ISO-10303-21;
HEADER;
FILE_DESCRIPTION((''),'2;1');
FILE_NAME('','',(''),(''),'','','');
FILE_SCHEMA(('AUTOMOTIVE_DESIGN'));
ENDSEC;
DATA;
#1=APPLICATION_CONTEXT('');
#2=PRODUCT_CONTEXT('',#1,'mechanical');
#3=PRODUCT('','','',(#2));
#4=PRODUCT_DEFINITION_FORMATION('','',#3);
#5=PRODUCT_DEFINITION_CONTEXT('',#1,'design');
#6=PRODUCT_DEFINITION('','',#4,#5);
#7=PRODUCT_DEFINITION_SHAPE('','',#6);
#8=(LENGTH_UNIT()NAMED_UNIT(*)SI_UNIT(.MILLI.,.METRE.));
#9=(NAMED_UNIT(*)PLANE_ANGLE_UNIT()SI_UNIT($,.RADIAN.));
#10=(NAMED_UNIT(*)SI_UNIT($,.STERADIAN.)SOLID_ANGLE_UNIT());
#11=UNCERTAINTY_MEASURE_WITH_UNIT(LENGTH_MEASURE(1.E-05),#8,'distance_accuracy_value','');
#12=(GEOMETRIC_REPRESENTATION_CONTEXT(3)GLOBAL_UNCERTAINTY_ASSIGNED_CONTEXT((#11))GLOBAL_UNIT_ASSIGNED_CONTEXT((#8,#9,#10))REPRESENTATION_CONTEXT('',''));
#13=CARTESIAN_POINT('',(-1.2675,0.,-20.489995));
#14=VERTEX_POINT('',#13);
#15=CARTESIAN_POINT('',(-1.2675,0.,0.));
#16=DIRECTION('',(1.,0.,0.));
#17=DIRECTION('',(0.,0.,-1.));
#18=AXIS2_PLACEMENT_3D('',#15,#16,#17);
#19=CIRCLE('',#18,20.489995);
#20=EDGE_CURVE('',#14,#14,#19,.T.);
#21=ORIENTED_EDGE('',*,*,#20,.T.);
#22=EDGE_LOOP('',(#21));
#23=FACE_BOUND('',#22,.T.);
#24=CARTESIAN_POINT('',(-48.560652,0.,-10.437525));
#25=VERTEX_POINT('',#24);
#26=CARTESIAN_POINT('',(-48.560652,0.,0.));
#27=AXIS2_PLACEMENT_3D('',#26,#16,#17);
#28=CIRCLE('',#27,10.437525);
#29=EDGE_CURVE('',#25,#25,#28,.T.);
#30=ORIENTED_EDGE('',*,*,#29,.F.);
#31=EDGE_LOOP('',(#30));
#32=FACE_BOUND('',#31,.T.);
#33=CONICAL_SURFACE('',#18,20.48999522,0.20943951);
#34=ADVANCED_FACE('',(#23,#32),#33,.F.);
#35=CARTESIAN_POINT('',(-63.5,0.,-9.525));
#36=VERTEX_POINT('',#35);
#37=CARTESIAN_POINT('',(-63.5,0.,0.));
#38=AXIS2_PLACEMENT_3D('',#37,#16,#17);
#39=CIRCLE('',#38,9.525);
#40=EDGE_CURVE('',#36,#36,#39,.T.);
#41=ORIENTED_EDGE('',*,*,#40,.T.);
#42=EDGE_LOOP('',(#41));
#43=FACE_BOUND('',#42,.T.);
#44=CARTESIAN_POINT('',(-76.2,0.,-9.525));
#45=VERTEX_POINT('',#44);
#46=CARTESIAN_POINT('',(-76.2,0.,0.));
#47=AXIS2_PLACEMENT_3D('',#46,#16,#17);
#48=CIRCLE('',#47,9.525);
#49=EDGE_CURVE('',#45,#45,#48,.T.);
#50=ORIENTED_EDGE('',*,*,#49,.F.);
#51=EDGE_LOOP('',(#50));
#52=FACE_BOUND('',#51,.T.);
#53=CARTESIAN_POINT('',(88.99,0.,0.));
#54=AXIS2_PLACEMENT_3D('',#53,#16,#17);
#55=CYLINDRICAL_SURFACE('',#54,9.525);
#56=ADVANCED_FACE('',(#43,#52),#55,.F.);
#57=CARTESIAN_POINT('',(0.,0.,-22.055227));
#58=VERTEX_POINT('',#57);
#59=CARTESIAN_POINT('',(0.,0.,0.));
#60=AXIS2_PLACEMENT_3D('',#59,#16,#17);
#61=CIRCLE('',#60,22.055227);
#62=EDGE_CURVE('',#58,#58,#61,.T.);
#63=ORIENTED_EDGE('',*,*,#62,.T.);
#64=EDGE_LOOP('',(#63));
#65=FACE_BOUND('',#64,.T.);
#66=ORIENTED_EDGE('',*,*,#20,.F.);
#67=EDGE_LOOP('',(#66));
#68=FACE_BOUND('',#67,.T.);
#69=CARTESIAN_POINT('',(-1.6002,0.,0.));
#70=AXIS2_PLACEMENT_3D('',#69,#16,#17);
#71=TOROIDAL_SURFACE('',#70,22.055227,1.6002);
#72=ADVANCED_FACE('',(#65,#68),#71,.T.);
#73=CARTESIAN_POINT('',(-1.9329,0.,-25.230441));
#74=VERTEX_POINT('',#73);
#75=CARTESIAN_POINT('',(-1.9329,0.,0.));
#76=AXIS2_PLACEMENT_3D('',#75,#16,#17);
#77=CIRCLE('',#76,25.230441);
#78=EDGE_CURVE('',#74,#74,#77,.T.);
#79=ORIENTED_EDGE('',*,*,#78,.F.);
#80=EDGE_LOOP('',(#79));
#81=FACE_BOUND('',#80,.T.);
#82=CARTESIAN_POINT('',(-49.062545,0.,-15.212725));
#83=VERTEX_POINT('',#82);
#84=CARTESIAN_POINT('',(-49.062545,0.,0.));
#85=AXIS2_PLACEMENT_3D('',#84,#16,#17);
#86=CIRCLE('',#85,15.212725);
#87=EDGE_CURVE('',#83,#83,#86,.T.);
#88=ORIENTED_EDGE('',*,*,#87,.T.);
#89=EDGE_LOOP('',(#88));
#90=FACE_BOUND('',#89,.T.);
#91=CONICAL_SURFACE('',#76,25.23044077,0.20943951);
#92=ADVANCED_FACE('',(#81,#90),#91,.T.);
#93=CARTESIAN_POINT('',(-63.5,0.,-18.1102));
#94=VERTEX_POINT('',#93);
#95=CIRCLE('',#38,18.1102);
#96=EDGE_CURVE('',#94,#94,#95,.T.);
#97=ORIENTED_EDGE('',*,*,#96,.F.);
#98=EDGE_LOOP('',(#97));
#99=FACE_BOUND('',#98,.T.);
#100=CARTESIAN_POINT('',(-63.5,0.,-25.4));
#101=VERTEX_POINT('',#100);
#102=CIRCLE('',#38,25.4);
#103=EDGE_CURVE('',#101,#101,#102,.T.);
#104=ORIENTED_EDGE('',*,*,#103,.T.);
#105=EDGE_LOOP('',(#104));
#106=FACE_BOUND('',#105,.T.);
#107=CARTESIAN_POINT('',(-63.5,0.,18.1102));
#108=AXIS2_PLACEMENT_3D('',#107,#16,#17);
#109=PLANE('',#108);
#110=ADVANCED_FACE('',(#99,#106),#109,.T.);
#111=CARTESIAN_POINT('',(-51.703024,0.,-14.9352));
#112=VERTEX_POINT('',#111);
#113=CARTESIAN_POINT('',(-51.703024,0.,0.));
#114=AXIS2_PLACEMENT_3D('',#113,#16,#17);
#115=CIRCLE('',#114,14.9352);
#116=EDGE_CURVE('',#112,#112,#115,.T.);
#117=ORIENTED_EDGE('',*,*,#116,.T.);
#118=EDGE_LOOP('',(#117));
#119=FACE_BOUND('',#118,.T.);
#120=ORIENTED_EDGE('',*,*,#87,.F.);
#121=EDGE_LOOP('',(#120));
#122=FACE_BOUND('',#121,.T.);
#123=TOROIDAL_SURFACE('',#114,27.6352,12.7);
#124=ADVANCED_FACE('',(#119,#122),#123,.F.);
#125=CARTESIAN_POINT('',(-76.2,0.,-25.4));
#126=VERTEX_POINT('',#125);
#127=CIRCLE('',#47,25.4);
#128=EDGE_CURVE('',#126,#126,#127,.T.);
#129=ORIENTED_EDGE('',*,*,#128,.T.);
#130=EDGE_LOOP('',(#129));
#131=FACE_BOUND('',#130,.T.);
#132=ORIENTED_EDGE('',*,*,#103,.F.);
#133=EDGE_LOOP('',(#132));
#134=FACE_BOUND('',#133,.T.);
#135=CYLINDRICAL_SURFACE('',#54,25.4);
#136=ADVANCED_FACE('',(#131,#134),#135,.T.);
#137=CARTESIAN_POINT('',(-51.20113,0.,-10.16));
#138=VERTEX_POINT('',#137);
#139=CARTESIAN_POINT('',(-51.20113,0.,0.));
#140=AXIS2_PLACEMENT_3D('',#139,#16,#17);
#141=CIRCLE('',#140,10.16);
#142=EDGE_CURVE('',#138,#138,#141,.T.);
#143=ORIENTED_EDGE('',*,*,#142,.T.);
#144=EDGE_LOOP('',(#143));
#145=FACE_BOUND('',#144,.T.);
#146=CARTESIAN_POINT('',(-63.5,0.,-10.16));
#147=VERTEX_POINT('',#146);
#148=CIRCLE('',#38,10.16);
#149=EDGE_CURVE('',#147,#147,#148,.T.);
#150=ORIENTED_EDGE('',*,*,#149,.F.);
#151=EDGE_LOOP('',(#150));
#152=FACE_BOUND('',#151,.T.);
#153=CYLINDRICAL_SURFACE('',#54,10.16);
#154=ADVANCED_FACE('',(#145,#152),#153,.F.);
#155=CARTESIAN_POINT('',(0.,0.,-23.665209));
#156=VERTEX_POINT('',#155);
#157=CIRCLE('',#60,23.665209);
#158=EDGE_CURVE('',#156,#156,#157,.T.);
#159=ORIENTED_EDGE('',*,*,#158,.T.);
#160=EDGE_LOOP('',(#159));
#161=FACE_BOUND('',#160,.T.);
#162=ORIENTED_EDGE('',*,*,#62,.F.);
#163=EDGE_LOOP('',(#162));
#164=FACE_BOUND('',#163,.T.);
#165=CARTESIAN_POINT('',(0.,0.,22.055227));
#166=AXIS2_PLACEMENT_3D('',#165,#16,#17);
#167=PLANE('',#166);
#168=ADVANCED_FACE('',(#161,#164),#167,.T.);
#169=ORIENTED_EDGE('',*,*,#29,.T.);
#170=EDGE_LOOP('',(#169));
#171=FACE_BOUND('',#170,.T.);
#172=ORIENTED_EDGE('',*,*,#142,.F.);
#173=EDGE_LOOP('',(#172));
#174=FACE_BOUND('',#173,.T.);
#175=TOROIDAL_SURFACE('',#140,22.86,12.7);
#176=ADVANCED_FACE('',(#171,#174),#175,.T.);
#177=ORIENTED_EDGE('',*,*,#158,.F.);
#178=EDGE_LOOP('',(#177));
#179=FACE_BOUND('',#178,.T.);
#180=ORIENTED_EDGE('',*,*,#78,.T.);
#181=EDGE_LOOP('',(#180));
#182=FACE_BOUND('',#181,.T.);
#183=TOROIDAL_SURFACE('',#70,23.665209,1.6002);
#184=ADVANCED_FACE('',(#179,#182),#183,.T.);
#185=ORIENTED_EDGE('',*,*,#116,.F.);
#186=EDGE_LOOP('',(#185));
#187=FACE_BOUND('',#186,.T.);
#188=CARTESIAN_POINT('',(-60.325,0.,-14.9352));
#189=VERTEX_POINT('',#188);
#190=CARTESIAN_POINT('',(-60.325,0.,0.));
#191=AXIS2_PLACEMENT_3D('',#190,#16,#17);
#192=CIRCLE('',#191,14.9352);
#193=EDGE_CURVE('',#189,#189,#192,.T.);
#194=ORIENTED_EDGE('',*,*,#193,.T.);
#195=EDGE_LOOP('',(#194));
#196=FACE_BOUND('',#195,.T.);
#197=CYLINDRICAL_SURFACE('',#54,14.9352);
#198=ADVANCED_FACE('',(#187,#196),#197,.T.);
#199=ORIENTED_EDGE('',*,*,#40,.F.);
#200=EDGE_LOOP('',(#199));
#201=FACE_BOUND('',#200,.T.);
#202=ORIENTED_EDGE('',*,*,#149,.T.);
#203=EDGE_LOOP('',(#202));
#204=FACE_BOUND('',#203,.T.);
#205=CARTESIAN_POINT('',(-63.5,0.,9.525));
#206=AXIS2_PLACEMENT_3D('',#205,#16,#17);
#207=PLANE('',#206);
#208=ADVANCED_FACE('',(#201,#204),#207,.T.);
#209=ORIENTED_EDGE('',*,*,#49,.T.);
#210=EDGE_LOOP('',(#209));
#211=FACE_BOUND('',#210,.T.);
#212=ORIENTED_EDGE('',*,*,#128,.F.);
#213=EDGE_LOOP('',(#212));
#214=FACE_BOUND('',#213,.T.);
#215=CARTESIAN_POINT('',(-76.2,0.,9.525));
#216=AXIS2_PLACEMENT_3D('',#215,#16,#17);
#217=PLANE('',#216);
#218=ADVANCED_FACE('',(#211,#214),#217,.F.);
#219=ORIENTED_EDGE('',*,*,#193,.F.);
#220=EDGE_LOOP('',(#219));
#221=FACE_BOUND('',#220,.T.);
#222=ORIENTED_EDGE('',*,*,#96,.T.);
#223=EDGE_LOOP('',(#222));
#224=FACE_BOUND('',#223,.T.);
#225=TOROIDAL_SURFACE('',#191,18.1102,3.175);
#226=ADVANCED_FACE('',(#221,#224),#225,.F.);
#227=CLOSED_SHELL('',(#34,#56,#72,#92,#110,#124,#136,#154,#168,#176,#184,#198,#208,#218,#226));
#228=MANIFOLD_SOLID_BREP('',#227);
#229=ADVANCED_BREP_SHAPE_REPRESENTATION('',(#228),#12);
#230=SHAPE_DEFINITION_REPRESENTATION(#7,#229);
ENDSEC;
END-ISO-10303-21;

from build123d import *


with BuildPart() as part:
    # Sketch1 → Revolve3 (revolve)
    with BuildSketch(Plane(origin=(0, 0, 0), x_dir=(1, 0, 0), z_dir=(0, 1, 0))):
        with BuildLine():
            Line((-1.932900288, -25.23044077), (-49.062545314, -15.212725471))
            ThreePointArc((-49.062545314, -15.212725471), (-50.375512304, -15.004771929), (-51.703023788, -14.9352))
            Line((-51.703023788, -14.9352), (-60.325, -14.9352))
            ThreePointArc((-60.325, -14.9352), (-62.57006403, -15.86513597), (-63.5, -18.1102))
            Line((-63.5, -18.1102), (-63.5, -25.4))
            Line((-63.5, -25.4), (-76.2, -25.4))
            Line((-76.2, -25.4), (-76.2, -9.525))
            Line((-76.2, -9.525), (-63.5, -9.525))
            Line((-63.5, -9.525), (-63.5, -10.16))
            Line((-63.5, -10.16), (-51.201130044, -10.16))
            ThreePointArc((-51.201130044, -10.16), (-49.87361856, -10.229571929), (-48.56065157, -10.437525471))
            Line((-48.56065157, -10.437525471), (-1.267499712, -20.48999522))
            ThreePointArc((-1.267499712, -20.48999522), (-0.356611032, -21.048188521), (0, -22.055227011))
            Line((0, -22.055227011), (0, -23.66520898))
            ThreePointArc((0, -23.66520898), (-0.59316151, -24.908797947), (-1.932900288, -25.23044077))
        make_face()
    revolve(axis=Axis((88.99, 0, 0), (-1, 0, 0)))


solid = part.part
